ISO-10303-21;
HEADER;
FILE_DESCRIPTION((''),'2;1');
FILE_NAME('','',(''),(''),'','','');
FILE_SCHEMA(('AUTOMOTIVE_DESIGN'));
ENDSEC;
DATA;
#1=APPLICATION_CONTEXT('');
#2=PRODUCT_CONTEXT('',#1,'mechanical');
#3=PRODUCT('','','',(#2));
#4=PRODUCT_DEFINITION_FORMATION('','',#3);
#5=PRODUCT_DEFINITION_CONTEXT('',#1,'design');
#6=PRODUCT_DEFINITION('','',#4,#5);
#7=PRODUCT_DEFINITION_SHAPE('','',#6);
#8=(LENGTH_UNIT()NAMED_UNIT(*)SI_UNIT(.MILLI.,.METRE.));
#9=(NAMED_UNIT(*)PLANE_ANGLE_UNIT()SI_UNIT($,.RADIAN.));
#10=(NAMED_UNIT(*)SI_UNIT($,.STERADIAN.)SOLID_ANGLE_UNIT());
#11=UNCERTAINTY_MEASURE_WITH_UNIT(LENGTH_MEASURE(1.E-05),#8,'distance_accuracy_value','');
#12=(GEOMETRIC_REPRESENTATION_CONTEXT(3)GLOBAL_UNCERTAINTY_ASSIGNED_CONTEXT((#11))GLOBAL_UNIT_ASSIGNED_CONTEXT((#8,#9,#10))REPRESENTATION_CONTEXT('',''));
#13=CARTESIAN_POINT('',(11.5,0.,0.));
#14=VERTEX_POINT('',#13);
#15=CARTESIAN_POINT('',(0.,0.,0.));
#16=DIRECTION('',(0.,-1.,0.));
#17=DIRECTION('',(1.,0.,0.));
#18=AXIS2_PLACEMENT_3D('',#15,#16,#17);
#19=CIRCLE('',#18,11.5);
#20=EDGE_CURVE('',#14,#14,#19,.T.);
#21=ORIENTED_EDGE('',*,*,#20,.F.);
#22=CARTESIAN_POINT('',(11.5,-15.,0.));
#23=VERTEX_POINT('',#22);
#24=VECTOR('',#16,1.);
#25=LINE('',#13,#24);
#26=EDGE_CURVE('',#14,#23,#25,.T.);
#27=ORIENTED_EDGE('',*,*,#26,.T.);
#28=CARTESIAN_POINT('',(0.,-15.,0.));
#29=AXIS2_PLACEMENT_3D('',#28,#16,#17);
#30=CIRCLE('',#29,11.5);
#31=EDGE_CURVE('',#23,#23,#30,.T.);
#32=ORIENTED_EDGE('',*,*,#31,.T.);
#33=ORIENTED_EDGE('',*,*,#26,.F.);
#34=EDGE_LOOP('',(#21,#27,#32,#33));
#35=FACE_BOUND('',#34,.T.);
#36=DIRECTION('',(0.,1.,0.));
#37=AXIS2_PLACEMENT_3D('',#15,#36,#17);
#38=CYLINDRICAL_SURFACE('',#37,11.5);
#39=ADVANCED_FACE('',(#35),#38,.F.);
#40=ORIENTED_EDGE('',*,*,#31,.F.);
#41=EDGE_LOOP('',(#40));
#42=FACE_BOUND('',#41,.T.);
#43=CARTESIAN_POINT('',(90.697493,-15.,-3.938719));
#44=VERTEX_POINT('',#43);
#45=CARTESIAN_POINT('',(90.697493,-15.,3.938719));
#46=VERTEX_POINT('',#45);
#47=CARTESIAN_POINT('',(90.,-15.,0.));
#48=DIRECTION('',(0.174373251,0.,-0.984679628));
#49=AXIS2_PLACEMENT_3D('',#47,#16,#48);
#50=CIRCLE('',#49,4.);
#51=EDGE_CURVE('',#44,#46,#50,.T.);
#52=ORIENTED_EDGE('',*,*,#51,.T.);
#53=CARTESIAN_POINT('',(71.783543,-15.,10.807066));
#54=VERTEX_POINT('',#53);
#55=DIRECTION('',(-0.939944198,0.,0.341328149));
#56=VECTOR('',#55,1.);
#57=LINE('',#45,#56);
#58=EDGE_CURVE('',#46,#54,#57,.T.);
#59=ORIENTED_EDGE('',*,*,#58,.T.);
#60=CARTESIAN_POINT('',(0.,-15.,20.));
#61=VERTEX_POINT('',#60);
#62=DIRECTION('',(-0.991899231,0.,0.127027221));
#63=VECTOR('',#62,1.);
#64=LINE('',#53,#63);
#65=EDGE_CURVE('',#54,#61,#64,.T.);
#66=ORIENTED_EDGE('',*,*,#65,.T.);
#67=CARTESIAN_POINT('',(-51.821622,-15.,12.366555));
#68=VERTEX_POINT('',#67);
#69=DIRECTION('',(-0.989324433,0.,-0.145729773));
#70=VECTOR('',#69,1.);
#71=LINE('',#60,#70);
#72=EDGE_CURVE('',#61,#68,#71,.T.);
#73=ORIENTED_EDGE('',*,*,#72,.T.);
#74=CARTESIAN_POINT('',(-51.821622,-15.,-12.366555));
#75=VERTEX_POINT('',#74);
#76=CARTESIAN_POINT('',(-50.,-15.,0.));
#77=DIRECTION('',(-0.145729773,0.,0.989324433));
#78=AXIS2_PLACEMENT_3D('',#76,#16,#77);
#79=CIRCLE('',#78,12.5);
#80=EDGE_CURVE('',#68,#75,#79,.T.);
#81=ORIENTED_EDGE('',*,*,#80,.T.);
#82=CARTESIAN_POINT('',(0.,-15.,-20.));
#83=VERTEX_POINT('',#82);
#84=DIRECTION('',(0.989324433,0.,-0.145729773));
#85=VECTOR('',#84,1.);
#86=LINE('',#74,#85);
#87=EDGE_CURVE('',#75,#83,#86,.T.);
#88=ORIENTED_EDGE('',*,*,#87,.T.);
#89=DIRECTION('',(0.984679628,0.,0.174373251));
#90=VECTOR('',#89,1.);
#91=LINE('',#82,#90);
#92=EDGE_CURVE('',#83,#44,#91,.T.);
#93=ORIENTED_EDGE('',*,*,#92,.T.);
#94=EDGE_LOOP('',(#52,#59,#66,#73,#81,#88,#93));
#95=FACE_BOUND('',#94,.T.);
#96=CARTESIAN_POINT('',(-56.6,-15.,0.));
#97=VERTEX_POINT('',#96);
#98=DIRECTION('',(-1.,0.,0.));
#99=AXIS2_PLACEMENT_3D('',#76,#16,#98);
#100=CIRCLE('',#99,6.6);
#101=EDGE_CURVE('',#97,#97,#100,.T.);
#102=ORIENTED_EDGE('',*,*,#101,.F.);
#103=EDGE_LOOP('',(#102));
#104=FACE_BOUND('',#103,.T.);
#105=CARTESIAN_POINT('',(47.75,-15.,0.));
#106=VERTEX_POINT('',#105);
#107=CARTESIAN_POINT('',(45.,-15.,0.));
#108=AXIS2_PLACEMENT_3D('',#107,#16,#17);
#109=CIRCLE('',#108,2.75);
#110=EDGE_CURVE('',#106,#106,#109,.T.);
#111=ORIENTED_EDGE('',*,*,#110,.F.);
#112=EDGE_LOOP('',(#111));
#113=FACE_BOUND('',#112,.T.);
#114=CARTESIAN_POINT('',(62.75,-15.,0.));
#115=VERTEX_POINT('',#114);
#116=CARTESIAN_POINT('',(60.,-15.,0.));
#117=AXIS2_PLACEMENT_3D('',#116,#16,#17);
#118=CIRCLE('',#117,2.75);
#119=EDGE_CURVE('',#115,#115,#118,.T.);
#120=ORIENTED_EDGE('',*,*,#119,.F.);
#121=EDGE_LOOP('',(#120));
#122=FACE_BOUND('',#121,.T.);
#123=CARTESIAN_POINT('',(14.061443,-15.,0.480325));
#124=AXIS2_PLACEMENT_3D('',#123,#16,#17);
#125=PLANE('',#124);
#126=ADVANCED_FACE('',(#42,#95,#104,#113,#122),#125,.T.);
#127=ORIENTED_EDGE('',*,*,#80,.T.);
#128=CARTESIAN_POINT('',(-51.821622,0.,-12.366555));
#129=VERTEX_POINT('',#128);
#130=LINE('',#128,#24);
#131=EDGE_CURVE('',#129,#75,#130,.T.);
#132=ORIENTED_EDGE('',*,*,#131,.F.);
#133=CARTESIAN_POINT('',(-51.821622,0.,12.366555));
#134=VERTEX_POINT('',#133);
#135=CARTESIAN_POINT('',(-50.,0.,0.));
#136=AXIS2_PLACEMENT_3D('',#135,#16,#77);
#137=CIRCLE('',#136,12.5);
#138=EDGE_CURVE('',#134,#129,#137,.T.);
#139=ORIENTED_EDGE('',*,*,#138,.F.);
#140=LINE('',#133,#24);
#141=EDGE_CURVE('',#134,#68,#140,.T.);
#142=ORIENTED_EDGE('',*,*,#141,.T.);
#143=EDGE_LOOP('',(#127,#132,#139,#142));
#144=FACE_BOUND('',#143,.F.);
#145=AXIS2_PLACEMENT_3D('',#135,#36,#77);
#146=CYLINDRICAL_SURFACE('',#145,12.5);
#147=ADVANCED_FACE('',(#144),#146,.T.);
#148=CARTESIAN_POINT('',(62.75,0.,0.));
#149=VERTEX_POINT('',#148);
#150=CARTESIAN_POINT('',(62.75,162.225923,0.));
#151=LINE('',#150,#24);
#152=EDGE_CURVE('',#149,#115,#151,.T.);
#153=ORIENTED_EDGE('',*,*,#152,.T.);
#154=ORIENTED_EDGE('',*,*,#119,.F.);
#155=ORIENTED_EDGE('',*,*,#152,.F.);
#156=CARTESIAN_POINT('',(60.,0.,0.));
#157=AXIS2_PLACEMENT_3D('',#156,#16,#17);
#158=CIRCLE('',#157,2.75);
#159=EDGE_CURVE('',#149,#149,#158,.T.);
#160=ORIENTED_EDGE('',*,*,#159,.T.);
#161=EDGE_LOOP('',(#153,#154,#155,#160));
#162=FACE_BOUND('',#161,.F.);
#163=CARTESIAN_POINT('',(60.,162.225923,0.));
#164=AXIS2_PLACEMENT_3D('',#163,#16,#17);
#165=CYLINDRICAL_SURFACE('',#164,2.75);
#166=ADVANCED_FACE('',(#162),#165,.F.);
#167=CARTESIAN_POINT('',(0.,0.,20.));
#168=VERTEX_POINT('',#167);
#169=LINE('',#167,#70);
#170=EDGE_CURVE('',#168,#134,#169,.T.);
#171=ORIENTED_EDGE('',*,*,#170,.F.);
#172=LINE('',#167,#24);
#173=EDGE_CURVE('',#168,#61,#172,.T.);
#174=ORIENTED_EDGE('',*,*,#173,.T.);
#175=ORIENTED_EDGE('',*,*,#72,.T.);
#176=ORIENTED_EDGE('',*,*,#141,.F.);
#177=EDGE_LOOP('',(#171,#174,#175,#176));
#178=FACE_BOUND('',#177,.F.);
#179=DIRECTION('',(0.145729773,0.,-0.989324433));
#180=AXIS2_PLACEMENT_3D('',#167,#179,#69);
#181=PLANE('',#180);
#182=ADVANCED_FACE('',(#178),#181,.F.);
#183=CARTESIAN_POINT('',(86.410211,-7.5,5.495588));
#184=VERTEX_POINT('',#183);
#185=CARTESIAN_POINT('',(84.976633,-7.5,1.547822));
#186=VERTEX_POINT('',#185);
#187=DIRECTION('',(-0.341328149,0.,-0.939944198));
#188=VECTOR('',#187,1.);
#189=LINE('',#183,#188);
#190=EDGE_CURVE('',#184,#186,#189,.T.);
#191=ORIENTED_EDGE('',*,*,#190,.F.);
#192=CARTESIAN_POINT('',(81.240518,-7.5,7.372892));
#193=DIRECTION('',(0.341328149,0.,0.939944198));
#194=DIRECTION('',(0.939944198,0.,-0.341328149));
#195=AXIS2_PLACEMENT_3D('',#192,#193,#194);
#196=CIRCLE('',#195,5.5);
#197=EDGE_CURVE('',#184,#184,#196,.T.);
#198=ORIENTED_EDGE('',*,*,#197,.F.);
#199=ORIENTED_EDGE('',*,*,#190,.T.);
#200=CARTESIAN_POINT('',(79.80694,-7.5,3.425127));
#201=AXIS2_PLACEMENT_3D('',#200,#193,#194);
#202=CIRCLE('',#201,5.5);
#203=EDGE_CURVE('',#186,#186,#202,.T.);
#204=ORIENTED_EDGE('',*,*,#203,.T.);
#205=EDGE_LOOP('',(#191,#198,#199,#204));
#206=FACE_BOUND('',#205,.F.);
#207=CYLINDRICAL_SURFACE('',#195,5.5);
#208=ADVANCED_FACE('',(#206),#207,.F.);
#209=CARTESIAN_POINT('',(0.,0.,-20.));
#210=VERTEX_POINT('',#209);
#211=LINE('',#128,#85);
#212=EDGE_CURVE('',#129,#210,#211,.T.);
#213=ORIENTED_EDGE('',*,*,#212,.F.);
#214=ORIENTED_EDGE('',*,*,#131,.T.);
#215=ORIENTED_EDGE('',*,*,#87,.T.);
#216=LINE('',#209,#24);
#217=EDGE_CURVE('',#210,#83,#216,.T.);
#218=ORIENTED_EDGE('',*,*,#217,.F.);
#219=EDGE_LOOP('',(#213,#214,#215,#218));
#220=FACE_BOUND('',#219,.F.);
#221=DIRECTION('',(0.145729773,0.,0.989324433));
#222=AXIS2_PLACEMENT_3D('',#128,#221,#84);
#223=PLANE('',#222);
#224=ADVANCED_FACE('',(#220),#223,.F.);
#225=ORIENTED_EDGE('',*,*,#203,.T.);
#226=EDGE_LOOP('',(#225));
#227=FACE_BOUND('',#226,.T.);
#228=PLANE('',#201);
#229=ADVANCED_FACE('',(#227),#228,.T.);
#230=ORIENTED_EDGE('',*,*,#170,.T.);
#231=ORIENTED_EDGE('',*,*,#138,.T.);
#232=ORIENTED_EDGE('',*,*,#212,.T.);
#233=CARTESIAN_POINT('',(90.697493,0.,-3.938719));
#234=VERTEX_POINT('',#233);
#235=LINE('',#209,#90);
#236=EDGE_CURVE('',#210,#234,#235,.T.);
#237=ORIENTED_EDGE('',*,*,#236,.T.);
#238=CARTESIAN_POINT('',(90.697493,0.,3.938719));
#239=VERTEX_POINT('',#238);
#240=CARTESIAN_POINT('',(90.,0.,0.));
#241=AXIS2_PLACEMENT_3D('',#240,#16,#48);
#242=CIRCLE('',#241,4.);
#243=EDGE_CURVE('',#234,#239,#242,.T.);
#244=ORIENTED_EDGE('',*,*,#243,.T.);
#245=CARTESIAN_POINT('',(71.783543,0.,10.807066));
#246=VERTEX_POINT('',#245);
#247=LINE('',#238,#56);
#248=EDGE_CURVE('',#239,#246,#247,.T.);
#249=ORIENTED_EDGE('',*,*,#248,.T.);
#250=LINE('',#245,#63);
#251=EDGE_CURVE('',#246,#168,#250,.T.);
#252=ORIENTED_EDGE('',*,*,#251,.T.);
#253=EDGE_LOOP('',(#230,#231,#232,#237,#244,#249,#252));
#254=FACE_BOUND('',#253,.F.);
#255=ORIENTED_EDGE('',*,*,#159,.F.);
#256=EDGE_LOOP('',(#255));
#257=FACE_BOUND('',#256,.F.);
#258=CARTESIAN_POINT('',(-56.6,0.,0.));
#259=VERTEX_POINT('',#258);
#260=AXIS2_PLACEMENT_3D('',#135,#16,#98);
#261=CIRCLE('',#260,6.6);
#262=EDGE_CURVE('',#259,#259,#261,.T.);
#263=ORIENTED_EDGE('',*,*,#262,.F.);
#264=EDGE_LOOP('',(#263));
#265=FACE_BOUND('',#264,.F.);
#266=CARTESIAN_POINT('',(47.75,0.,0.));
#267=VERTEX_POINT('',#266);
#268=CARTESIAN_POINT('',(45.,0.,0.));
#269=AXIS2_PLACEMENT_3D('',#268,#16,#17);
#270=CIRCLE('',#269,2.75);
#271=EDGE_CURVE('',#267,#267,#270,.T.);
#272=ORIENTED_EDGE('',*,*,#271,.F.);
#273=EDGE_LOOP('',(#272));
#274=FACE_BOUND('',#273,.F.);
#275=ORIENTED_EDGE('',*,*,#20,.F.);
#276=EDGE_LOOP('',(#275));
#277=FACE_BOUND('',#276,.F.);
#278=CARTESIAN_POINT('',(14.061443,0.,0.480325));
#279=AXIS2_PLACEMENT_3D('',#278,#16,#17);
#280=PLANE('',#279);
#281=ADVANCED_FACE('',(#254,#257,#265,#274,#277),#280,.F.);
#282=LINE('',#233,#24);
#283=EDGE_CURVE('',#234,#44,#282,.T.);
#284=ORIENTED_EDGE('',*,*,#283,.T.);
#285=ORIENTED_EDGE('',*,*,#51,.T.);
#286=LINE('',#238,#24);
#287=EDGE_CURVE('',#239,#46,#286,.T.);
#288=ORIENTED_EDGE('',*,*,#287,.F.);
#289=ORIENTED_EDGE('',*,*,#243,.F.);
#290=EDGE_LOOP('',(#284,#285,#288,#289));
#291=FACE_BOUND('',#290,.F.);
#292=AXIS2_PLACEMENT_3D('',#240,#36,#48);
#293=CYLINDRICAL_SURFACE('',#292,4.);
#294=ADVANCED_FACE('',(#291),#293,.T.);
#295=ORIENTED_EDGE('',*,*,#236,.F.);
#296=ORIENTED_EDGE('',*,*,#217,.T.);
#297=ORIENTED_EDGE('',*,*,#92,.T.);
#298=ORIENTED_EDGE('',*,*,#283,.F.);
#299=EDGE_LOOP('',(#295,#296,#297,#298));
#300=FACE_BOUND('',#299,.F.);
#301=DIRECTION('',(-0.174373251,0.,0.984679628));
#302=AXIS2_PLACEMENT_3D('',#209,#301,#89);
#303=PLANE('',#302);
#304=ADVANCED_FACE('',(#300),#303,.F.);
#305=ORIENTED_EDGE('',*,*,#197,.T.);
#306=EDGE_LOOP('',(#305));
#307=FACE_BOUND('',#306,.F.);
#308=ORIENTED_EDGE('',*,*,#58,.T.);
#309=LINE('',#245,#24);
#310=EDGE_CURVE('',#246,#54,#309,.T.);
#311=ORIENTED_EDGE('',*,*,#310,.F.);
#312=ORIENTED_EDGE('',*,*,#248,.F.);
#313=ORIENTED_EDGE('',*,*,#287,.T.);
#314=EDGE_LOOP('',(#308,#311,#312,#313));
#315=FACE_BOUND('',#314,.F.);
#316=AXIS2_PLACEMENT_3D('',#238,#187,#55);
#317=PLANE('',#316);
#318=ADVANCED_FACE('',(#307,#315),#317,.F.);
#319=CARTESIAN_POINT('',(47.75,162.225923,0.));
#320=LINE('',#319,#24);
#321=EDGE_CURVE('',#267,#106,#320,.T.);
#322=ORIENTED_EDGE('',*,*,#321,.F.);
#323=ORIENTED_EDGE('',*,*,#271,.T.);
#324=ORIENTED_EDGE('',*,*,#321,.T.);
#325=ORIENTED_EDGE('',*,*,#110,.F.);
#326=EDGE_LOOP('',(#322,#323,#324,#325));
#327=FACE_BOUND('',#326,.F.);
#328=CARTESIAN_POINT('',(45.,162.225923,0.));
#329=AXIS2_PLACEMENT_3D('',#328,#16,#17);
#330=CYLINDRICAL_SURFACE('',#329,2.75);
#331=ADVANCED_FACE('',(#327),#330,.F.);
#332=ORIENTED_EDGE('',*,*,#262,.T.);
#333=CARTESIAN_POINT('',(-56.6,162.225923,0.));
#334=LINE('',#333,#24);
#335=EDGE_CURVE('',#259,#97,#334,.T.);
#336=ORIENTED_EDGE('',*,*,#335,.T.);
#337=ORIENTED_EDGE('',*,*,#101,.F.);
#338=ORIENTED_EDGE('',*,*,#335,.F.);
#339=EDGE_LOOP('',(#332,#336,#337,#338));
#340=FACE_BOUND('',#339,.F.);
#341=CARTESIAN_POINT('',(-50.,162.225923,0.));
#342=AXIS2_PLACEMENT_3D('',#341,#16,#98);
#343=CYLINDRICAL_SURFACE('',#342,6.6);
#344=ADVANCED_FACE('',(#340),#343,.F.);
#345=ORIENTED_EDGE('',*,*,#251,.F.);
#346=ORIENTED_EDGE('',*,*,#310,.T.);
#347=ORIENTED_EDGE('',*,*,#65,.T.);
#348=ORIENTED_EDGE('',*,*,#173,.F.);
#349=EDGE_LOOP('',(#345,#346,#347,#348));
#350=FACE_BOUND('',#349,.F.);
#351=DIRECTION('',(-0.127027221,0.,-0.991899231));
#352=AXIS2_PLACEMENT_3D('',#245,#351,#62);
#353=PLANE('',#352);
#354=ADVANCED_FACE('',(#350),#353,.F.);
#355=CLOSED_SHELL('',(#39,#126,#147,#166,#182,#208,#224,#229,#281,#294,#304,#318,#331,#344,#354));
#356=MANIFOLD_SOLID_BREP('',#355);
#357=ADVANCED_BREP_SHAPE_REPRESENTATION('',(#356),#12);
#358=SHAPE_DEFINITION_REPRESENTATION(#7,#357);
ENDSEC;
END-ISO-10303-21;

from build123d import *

# Parameters (mm, degrees)
F0_R     = 11.5
F1_DEPTH = 15
F3_D     = 5.5
F4_D     = 13.2
F5_R     = 5.5
F6_DEPTH = 4.2


with BuildPart() as f1:
    # F0 (on Front) → F1 (new body)
    with BuildSketch(Plane.XZ):
        with BuildLine():
            Line((71.7835429594, 10.8070662041), (0, 20))
            Line((0, 20), (-51.8216221637, 12.3665554094))
            ThreePointArc((-51.8216221637, 12.3665554094), (-62.5, 0), (-51.8216221637, -12.3665554094))
            Line((-51.8216221637, -12.3665554094), (0, -20))
            Line((0, -20), (90.6974930025, -3.9387185113))
            ThreePointArc((90.6974930025, -3.9387185113), (94, 0), (90.6974930025, 3.9387185113))
            Line((90.6974930025, 3.9387185113), (71.7835429594, 10.8070662041))
        make_face()
        Circle(F0_R, mode=Mode.SUBTRACT)
    extrude(amount=F1_DEPTH)

    # F3 (through all)
    with Locations(Plane(origin=(0, 0, 0), x_dir=(-1, 0, 0), z_dir=(0, 1, 0))):
        with Locations((-60, 0), (-45, 0)):
            Hole(F3_D / 2)

    # F4 (through all)
    with Locations(Plane(origin=(0, 0, 0), x_dir=(1, 0, 0), z_dir=(0, 1, 0))):
        with Locations((-50, 0)):
            Hole(F4_D / 2)

    # F5 (on face) → F6 (cut)
    with BuildSketch(Plane(origin=(11.8303595902, 0, 32.5782619474), x_dir=(0.9399441976, 0, -0.3413281491), z_dir=(0.3413281491, 0, 0.9399441976))):
        with Locations((73.8449777845, -7.5)):
            Circle(F5_R)
    extrude(amount=-F6_DEPTH, mode=Mode.SUBTRACT)


solid = f1.part
